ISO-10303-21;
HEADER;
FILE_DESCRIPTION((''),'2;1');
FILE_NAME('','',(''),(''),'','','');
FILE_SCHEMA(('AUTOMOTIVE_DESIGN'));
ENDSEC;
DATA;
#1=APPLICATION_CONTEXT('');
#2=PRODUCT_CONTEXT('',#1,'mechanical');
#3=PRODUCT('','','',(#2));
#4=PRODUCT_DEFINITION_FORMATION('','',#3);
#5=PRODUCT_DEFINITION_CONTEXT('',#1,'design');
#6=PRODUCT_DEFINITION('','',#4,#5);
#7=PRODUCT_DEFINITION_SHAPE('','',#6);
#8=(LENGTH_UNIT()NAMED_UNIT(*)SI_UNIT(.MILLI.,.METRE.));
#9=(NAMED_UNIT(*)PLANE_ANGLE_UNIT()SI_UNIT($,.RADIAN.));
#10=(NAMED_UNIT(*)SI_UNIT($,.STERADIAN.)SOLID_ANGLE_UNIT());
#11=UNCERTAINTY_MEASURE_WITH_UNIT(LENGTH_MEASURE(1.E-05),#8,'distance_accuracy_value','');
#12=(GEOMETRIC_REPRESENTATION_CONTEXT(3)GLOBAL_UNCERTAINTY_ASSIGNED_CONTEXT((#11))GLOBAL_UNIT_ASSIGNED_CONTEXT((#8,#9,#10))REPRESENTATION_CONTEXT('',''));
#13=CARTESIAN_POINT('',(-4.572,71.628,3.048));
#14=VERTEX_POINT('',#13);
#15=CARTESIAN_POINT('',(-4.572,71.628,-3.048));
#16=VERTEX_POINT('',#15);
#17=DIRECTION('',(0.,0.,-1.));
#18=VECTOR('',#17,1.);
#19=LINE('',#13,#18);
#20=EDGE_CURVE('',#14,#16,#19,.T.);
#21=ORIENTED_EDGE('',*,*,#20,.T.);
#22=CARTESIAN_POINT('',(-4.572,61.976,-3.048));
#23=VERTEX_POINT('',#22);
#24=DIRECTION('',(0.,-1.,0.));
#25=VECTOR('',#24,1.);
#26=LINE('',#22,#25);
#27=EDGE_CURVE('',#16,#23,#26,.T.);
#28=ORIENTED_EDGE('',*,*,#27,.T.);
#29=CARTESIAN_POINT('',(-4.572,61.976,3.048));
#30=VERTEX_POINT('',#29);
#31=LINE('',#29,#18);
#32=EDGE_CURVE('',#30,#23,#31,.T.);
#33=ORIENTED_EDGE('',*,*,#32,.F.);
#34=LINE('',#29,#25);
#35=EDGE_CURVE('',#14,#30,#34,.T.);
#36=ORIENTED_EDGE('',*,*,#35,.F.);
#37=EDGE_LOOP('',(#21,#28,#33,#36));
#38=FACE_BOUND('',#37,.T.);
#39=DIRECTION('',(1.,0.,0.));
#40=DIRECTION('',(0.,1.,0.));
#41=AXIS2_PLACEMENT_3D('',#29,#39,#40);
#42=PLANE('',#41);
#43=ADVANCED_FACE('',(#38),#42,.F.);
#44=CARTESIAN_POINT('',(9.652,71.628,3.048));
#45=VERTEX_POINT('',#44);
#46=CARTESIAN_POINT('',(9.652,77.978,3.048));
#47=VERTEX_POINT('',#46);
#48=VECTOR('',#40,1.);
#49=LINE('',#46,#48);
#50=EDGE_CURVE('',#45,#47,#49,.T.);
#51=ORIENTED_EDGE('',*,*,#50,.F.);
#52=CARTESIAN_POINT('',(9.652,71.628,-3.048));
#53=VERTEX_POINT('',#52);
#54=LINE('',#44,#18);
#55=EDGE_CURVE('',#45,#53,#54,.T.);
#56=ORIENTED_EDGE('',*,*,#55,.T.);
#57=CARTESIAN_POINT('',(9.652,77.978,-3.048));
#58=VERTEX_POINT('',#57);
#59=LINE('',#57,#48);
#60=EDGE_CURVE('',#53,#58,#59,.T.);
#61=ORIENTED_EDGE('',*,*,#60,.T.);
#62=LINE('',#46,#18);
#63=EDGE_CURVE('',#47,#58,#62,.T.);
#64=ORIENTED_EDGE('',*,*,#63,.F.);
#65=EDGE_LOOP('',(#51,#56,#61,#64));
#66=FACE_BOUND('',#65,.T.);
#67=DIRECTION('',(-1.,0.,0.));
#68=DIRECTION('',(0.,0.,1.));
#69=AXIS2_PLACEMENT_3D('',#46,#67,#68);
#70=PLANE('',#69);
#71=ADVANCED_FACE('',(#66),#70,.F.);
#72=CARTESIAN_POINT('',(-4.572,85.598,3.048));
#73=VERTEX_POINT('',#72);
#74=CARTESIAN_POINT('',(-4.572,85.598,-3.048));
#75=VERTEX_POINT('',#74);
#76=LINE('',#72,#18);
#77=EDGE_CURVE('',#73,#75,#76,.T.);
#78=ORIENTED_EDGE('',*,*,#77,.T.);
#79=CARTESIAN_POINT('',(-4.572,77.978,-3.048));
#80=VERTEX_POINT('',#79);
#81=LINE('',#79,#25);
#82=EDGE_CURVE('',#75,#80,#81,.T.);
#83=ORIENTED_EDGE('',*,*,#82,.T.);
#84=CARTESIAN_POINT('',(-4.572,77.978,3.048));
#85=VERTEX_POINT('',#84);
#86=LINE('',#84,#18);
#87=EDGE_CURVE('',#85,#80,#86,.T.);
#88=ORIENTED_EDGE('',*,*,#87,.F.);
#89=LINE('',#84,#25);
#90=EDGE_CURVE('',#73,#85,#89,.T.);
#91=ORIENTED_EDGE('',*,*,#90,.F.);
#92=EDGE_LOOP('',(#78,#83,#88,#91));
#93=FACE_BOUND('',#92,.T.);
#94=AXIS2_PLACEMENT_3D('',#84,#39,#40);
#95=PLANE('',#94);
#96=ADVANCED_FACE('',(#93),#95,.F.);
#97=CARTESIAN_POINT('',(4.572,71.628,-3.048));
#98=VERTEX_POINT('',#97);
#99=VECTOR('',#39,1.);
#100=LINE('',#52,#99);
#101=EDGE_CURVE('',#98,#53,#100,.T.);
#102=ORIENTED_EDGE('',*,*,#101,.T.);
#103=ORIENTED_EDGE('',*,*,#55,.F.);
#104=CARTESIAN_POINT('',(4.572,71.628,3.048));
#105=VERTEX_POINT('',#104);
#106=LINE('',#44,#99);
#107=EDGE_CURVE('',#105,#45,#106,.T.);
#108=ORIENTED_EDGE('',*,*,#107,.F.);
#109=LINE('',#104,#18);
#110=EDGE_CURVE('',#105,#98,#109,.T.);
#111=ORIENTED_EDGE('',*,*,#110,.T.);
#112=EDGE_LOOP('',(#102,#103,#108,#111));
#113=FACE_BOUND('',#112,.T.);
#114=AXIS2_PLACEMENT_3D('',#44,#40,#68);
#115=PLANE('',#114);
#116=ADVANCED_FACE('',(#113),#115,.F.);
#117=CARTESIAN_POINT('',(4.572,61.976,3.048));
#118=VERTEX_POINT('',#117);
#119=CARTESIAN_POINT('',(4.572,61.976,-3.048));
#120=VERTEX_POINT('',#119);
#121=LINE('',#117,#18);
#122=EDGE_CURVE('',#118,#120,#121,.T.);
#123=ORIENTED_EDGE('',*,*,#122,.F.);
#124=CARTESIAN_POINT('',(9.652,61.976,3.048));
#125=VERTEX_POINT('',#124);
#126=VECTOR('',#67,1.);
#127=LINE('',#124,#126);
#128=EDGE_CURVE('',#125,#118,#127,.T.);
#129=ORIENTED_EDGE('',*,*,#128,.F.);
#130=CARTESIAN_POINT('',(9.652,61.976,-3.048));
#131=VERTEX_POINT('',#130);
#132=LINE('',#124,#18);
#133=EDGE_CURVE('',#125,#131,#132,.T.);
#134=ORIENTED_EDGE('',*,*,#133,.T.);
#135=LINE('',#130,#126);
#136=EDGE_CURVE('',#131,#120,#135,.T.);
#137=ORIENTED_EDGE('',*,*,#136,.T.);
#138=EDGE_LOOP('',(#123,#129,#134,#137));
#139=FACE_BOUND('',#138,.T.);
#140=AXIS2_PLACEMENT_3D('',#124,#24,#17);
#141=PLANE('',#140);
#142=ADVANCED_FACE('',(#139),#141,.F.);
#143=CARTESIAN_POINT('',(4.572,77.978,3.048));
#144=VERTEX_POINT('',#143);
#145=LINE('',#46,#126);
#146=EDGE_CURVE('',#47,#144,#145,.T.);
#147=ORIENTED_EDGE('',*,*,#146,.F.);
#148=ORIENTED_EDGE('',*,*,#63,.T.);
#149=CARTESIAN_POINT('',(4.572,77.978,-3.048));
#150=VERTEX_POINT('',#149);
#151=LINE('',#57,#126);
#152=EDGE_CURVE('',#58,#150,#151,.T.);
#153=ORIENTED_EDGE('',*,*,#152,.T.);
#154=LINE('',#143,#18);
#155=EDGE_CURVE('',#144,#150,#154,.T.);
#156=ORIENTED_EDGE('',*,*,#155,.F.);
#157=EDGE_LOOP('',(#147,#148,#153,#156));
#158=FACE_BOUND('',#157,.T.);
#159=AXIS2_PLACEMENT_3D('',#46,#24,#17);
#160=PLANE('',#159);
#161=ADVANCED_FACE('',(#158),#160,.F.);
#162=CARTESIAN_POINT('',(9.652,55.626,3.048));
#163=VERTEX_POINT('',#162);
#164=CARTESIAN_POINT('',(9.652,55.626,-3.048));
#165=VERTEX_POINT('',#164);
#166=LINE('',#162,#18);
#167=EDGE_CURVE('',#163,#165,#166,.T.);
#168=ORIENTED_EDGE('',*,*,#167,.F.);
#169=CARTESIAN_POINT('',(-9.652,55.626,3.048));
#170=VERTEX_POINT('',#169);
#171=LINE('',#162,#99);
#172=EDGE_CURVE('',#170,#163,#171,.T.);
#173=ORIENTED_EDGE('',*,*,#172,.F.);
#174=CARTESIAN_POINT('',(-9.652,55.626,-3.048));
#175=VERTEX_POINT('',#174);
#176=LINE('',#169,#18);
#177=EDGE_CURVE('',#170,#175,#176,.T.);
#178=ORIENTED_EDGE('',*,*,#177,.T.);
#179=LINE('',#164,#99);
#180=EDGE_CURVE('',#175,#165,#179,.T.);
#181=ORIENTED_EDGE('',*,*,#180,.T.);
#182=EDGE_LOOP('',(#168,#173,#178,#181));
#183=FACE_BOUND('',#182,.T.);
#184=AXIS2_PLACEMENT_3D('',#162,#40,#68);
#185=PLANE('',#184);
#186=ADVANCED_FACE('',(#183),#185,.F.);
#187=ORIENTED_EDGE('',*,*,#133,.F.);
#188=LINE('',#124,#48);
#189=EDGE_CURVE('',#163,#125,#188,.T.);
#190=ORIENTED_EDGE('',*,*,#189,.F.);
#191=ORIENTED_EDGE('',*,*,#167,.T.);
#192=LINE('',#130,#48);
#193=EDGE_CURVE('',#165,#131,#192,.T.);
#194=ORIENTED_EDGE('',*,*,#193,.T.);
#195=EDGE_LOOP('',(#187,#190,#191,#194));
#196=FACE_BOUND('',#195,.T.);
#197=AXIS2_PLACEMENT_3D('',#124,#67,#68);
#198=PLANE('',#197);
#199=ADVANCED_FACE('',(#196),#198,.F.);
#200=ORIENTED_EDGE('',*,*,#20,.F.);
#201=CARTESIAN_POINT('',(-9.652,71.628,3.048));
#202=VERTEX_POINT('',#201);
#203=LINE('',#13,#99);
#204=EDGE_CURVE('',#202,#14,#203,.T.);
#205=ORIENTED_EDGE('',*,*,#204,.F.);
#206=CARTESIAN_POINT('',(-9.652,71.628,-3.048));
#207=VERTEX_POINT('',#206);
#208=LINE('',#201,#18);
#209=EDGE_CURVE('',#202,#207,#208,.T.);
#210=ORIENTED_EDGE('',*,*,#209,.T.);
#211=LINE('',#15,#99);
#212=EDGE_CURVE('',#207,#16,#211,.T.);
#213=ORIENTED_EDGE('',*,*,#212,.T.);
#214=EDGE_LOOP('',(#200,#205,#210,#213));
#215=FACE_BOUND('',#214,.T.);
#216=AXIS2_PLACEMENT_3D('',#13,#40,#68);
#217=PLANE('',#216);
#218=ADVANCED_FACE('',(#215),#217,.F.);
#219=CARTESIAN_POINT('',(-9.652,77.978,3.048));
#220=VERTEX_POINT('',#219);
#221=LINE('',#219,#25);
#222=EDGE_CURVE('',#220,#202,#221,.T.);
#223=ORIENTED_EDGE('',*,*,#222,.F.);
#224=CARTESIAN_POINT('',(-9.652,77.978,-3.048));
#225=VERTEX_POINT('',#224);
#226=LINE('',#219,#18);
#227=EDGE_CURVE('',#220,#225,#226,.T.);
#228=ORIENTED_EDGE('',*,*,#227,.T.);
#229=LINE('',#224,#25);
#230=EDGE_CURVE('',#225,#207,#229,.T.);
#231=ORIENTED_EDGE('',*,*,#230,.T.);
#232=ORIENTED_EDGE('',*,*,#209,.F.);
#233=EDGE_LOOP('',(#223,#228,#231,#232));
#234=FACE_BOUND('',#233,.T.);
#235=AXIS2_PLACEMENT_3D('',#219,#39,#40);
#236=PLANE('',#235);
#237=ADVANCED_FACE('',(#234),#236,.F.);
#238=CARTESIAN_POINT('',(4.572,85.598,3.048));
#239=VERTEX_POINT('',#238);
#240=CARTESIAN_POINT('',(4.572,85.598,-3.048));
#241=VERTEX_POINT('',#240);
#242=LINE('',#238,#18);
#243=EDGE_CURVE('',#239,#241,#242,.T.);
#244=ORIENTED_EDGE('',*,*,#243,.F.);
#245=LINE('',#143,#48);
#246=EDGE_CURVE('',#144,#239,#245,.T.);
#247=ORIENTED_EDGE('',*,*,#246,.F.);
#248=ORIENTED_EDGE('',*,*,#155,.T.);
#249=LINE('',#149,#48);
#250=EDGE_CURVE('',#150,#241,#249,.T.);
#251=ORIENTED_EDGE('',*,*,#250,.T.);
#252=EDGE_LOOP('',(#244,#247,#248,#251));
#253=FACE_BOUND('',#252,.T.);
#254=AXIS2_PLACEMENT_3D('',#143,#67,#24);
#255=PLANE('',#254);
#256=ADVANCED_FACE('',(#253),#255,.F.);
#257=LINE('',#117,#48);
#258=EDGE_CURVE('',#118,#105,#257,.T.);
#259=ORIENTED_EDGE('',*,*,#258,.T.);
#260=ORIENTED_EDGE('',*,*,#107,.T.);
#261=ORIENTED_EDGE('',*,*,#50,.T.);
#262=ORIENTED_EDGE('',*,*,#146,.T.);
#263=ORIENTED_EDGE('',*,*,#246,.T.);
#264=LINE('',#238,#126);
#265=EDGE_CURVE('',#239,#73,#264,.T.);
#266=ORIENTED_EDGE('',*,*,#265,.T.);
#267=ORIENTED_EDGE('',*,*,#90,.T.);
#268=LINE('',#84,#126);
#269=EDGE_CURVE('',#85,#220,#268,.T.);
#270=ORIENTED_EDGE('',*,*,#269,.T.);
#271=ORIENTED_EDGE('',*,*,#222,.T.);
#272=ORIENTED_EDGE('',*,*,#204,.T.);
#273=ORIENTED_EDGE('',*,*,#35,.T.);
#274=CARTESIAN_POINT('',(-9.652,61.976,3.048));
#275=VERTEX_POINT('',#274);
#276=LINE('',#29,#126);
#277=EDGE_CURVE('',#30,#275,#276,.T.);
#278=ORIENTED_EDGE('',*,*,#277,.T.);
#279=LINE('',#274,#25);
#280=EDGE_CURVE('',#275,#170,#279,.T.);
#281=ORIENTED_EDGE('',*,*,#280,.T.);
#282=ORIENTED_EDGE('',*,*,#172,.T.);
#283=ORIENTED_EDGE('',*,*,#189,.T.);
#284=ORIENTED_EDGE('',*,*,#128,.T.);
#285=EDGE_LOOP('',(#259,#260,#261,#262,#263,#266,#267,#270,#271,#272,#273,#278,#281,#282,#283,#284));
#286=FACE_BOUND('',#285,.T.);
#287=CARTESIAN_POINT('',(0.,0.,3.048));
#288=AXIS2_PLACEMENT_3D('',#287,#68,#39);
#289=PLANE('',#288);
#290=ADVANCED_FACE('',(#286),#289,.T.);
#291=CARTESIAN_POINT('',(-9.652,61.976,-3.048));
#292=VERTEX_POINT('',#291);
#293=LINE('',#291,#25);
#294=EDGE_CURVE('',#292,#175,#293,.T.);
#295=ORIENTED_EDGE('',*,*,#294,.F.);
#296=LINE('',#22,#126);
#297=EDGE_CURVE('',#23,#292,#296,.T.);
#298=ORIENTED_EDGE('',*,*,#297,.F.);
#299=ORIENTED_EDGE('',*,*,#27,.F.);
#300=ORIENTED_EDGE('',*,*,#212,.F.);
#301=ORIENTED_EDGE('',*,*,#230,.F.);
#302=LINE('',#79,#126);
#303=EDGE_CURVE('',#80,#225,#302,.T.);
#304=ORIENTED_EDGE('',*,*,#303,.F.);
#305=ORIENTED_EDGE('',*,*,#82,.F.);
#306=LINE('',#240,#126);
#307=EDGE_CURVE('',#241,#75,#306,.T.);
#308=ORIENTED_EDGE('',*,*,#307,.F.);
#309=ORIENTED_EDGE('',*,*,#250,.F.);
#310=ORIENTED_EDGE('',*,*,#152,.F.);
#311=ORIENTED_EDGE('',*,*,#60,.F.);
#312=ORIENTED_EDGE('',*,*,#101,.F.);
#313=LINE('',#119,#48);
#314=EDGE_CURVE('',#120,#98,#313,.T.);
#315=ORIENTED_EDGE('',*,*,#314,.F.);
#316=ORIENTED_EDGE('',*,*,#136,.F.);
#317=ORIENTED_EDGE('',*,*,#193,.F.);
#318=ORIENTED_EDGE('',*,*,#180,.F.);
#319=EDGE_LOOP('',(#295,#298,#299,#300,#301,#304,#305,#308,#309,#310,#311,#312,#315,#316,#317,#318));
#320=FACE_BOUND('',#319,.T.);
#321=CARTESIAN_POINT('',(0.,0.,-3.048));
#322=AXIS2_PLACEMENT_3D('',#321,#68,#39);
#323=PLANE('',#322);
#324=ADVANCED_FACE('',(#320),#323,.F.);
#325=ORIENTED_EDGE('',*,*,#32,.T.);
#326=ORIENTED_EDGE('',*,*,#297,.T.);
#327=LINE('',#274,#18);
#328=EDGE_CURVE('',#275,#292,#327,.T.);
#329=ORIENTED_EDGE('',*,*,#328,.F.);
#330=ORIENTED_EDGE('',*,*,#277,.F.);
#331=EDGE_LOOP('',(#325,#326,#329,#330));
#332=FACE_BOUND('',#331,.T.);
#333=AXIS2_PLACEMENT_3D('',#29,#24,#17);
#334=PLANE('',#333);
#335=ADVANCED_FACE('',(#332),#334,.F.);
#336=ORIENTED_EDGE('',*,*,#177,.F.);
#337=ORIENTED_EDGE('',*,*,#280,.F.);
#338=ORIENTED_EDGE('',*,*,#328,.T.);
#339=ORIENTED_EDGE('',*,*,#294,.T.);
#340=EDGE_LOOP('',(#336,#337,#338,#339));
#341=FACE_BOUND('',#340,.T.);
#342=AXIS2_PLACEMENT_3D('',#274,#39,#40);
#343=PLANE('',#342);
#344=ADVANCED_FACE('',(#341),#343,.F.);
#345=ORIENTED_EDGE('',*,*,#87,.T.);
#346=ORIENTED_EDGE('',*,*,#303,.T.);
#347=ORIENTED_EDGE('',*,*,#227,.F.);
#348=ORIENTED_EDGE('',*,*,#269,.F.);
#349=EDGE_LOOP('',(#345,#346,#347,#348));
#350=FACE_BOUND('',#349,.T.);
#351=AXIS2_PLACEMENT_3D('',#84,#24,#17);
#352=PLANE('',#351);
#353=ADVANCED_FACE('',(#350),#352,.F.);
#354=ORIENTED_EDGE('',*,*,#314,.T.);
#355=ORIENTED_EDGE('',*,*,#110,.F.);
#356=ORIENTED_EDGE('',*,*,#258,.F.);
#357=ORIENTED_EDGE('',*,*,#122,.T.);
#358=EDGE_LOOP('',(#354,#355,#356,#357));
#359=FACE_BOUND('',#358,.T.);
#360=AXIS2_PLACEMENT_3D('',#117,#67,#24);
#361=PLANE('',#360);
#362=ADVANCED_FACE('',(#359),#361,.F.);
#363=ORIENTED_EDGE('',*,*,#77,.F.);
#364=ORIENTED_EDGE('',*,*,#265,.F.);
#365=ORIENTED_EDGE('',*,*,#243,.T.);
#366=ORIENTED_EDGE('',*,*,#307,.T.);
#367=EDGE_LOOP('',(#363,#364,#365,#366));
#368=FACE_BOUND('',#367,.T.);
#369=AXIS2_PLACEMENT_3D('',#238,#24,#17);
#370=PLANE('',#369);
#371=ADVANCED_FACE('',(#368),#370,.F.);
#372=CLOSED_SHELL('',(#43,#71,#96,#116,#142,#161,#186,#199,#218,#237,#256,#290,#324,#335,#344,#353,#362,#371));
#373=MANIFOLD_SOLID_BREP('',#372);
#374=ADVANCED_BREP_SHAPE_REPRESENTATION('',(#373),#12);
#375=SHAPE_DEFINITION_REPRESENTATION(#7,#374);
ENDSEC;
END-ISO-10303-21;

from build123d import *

# Parameters (mm, degrees)
BOSS_EXTRUDE1_DEPTH = 3.048


with BuildPart() as part:
    # Sketch1 → Boss-Extrude1 (new, symmetric)
    with BuildSketch(Plane.XY):
        Polygon((4.572, 61.976), (4.572, 71.628), (9.652, 71.628), (9.652, 77.978), (4.572, 77.978), (4.572, 85.598), (-4.572, 85.598), (-4.572, 77.978), (-9.652, 77.978), (-9.652, 71.628), (-4.572, 71.628), (-4.572, 61.976), (-9.652, 61.976), (-9.652, 55.626), (9.652, 55.626), (9.652, 61.976), align=None)
    extrude(amount=BOSS_EXTRUDE1_DEPTH, both=True)


solid = part.part
